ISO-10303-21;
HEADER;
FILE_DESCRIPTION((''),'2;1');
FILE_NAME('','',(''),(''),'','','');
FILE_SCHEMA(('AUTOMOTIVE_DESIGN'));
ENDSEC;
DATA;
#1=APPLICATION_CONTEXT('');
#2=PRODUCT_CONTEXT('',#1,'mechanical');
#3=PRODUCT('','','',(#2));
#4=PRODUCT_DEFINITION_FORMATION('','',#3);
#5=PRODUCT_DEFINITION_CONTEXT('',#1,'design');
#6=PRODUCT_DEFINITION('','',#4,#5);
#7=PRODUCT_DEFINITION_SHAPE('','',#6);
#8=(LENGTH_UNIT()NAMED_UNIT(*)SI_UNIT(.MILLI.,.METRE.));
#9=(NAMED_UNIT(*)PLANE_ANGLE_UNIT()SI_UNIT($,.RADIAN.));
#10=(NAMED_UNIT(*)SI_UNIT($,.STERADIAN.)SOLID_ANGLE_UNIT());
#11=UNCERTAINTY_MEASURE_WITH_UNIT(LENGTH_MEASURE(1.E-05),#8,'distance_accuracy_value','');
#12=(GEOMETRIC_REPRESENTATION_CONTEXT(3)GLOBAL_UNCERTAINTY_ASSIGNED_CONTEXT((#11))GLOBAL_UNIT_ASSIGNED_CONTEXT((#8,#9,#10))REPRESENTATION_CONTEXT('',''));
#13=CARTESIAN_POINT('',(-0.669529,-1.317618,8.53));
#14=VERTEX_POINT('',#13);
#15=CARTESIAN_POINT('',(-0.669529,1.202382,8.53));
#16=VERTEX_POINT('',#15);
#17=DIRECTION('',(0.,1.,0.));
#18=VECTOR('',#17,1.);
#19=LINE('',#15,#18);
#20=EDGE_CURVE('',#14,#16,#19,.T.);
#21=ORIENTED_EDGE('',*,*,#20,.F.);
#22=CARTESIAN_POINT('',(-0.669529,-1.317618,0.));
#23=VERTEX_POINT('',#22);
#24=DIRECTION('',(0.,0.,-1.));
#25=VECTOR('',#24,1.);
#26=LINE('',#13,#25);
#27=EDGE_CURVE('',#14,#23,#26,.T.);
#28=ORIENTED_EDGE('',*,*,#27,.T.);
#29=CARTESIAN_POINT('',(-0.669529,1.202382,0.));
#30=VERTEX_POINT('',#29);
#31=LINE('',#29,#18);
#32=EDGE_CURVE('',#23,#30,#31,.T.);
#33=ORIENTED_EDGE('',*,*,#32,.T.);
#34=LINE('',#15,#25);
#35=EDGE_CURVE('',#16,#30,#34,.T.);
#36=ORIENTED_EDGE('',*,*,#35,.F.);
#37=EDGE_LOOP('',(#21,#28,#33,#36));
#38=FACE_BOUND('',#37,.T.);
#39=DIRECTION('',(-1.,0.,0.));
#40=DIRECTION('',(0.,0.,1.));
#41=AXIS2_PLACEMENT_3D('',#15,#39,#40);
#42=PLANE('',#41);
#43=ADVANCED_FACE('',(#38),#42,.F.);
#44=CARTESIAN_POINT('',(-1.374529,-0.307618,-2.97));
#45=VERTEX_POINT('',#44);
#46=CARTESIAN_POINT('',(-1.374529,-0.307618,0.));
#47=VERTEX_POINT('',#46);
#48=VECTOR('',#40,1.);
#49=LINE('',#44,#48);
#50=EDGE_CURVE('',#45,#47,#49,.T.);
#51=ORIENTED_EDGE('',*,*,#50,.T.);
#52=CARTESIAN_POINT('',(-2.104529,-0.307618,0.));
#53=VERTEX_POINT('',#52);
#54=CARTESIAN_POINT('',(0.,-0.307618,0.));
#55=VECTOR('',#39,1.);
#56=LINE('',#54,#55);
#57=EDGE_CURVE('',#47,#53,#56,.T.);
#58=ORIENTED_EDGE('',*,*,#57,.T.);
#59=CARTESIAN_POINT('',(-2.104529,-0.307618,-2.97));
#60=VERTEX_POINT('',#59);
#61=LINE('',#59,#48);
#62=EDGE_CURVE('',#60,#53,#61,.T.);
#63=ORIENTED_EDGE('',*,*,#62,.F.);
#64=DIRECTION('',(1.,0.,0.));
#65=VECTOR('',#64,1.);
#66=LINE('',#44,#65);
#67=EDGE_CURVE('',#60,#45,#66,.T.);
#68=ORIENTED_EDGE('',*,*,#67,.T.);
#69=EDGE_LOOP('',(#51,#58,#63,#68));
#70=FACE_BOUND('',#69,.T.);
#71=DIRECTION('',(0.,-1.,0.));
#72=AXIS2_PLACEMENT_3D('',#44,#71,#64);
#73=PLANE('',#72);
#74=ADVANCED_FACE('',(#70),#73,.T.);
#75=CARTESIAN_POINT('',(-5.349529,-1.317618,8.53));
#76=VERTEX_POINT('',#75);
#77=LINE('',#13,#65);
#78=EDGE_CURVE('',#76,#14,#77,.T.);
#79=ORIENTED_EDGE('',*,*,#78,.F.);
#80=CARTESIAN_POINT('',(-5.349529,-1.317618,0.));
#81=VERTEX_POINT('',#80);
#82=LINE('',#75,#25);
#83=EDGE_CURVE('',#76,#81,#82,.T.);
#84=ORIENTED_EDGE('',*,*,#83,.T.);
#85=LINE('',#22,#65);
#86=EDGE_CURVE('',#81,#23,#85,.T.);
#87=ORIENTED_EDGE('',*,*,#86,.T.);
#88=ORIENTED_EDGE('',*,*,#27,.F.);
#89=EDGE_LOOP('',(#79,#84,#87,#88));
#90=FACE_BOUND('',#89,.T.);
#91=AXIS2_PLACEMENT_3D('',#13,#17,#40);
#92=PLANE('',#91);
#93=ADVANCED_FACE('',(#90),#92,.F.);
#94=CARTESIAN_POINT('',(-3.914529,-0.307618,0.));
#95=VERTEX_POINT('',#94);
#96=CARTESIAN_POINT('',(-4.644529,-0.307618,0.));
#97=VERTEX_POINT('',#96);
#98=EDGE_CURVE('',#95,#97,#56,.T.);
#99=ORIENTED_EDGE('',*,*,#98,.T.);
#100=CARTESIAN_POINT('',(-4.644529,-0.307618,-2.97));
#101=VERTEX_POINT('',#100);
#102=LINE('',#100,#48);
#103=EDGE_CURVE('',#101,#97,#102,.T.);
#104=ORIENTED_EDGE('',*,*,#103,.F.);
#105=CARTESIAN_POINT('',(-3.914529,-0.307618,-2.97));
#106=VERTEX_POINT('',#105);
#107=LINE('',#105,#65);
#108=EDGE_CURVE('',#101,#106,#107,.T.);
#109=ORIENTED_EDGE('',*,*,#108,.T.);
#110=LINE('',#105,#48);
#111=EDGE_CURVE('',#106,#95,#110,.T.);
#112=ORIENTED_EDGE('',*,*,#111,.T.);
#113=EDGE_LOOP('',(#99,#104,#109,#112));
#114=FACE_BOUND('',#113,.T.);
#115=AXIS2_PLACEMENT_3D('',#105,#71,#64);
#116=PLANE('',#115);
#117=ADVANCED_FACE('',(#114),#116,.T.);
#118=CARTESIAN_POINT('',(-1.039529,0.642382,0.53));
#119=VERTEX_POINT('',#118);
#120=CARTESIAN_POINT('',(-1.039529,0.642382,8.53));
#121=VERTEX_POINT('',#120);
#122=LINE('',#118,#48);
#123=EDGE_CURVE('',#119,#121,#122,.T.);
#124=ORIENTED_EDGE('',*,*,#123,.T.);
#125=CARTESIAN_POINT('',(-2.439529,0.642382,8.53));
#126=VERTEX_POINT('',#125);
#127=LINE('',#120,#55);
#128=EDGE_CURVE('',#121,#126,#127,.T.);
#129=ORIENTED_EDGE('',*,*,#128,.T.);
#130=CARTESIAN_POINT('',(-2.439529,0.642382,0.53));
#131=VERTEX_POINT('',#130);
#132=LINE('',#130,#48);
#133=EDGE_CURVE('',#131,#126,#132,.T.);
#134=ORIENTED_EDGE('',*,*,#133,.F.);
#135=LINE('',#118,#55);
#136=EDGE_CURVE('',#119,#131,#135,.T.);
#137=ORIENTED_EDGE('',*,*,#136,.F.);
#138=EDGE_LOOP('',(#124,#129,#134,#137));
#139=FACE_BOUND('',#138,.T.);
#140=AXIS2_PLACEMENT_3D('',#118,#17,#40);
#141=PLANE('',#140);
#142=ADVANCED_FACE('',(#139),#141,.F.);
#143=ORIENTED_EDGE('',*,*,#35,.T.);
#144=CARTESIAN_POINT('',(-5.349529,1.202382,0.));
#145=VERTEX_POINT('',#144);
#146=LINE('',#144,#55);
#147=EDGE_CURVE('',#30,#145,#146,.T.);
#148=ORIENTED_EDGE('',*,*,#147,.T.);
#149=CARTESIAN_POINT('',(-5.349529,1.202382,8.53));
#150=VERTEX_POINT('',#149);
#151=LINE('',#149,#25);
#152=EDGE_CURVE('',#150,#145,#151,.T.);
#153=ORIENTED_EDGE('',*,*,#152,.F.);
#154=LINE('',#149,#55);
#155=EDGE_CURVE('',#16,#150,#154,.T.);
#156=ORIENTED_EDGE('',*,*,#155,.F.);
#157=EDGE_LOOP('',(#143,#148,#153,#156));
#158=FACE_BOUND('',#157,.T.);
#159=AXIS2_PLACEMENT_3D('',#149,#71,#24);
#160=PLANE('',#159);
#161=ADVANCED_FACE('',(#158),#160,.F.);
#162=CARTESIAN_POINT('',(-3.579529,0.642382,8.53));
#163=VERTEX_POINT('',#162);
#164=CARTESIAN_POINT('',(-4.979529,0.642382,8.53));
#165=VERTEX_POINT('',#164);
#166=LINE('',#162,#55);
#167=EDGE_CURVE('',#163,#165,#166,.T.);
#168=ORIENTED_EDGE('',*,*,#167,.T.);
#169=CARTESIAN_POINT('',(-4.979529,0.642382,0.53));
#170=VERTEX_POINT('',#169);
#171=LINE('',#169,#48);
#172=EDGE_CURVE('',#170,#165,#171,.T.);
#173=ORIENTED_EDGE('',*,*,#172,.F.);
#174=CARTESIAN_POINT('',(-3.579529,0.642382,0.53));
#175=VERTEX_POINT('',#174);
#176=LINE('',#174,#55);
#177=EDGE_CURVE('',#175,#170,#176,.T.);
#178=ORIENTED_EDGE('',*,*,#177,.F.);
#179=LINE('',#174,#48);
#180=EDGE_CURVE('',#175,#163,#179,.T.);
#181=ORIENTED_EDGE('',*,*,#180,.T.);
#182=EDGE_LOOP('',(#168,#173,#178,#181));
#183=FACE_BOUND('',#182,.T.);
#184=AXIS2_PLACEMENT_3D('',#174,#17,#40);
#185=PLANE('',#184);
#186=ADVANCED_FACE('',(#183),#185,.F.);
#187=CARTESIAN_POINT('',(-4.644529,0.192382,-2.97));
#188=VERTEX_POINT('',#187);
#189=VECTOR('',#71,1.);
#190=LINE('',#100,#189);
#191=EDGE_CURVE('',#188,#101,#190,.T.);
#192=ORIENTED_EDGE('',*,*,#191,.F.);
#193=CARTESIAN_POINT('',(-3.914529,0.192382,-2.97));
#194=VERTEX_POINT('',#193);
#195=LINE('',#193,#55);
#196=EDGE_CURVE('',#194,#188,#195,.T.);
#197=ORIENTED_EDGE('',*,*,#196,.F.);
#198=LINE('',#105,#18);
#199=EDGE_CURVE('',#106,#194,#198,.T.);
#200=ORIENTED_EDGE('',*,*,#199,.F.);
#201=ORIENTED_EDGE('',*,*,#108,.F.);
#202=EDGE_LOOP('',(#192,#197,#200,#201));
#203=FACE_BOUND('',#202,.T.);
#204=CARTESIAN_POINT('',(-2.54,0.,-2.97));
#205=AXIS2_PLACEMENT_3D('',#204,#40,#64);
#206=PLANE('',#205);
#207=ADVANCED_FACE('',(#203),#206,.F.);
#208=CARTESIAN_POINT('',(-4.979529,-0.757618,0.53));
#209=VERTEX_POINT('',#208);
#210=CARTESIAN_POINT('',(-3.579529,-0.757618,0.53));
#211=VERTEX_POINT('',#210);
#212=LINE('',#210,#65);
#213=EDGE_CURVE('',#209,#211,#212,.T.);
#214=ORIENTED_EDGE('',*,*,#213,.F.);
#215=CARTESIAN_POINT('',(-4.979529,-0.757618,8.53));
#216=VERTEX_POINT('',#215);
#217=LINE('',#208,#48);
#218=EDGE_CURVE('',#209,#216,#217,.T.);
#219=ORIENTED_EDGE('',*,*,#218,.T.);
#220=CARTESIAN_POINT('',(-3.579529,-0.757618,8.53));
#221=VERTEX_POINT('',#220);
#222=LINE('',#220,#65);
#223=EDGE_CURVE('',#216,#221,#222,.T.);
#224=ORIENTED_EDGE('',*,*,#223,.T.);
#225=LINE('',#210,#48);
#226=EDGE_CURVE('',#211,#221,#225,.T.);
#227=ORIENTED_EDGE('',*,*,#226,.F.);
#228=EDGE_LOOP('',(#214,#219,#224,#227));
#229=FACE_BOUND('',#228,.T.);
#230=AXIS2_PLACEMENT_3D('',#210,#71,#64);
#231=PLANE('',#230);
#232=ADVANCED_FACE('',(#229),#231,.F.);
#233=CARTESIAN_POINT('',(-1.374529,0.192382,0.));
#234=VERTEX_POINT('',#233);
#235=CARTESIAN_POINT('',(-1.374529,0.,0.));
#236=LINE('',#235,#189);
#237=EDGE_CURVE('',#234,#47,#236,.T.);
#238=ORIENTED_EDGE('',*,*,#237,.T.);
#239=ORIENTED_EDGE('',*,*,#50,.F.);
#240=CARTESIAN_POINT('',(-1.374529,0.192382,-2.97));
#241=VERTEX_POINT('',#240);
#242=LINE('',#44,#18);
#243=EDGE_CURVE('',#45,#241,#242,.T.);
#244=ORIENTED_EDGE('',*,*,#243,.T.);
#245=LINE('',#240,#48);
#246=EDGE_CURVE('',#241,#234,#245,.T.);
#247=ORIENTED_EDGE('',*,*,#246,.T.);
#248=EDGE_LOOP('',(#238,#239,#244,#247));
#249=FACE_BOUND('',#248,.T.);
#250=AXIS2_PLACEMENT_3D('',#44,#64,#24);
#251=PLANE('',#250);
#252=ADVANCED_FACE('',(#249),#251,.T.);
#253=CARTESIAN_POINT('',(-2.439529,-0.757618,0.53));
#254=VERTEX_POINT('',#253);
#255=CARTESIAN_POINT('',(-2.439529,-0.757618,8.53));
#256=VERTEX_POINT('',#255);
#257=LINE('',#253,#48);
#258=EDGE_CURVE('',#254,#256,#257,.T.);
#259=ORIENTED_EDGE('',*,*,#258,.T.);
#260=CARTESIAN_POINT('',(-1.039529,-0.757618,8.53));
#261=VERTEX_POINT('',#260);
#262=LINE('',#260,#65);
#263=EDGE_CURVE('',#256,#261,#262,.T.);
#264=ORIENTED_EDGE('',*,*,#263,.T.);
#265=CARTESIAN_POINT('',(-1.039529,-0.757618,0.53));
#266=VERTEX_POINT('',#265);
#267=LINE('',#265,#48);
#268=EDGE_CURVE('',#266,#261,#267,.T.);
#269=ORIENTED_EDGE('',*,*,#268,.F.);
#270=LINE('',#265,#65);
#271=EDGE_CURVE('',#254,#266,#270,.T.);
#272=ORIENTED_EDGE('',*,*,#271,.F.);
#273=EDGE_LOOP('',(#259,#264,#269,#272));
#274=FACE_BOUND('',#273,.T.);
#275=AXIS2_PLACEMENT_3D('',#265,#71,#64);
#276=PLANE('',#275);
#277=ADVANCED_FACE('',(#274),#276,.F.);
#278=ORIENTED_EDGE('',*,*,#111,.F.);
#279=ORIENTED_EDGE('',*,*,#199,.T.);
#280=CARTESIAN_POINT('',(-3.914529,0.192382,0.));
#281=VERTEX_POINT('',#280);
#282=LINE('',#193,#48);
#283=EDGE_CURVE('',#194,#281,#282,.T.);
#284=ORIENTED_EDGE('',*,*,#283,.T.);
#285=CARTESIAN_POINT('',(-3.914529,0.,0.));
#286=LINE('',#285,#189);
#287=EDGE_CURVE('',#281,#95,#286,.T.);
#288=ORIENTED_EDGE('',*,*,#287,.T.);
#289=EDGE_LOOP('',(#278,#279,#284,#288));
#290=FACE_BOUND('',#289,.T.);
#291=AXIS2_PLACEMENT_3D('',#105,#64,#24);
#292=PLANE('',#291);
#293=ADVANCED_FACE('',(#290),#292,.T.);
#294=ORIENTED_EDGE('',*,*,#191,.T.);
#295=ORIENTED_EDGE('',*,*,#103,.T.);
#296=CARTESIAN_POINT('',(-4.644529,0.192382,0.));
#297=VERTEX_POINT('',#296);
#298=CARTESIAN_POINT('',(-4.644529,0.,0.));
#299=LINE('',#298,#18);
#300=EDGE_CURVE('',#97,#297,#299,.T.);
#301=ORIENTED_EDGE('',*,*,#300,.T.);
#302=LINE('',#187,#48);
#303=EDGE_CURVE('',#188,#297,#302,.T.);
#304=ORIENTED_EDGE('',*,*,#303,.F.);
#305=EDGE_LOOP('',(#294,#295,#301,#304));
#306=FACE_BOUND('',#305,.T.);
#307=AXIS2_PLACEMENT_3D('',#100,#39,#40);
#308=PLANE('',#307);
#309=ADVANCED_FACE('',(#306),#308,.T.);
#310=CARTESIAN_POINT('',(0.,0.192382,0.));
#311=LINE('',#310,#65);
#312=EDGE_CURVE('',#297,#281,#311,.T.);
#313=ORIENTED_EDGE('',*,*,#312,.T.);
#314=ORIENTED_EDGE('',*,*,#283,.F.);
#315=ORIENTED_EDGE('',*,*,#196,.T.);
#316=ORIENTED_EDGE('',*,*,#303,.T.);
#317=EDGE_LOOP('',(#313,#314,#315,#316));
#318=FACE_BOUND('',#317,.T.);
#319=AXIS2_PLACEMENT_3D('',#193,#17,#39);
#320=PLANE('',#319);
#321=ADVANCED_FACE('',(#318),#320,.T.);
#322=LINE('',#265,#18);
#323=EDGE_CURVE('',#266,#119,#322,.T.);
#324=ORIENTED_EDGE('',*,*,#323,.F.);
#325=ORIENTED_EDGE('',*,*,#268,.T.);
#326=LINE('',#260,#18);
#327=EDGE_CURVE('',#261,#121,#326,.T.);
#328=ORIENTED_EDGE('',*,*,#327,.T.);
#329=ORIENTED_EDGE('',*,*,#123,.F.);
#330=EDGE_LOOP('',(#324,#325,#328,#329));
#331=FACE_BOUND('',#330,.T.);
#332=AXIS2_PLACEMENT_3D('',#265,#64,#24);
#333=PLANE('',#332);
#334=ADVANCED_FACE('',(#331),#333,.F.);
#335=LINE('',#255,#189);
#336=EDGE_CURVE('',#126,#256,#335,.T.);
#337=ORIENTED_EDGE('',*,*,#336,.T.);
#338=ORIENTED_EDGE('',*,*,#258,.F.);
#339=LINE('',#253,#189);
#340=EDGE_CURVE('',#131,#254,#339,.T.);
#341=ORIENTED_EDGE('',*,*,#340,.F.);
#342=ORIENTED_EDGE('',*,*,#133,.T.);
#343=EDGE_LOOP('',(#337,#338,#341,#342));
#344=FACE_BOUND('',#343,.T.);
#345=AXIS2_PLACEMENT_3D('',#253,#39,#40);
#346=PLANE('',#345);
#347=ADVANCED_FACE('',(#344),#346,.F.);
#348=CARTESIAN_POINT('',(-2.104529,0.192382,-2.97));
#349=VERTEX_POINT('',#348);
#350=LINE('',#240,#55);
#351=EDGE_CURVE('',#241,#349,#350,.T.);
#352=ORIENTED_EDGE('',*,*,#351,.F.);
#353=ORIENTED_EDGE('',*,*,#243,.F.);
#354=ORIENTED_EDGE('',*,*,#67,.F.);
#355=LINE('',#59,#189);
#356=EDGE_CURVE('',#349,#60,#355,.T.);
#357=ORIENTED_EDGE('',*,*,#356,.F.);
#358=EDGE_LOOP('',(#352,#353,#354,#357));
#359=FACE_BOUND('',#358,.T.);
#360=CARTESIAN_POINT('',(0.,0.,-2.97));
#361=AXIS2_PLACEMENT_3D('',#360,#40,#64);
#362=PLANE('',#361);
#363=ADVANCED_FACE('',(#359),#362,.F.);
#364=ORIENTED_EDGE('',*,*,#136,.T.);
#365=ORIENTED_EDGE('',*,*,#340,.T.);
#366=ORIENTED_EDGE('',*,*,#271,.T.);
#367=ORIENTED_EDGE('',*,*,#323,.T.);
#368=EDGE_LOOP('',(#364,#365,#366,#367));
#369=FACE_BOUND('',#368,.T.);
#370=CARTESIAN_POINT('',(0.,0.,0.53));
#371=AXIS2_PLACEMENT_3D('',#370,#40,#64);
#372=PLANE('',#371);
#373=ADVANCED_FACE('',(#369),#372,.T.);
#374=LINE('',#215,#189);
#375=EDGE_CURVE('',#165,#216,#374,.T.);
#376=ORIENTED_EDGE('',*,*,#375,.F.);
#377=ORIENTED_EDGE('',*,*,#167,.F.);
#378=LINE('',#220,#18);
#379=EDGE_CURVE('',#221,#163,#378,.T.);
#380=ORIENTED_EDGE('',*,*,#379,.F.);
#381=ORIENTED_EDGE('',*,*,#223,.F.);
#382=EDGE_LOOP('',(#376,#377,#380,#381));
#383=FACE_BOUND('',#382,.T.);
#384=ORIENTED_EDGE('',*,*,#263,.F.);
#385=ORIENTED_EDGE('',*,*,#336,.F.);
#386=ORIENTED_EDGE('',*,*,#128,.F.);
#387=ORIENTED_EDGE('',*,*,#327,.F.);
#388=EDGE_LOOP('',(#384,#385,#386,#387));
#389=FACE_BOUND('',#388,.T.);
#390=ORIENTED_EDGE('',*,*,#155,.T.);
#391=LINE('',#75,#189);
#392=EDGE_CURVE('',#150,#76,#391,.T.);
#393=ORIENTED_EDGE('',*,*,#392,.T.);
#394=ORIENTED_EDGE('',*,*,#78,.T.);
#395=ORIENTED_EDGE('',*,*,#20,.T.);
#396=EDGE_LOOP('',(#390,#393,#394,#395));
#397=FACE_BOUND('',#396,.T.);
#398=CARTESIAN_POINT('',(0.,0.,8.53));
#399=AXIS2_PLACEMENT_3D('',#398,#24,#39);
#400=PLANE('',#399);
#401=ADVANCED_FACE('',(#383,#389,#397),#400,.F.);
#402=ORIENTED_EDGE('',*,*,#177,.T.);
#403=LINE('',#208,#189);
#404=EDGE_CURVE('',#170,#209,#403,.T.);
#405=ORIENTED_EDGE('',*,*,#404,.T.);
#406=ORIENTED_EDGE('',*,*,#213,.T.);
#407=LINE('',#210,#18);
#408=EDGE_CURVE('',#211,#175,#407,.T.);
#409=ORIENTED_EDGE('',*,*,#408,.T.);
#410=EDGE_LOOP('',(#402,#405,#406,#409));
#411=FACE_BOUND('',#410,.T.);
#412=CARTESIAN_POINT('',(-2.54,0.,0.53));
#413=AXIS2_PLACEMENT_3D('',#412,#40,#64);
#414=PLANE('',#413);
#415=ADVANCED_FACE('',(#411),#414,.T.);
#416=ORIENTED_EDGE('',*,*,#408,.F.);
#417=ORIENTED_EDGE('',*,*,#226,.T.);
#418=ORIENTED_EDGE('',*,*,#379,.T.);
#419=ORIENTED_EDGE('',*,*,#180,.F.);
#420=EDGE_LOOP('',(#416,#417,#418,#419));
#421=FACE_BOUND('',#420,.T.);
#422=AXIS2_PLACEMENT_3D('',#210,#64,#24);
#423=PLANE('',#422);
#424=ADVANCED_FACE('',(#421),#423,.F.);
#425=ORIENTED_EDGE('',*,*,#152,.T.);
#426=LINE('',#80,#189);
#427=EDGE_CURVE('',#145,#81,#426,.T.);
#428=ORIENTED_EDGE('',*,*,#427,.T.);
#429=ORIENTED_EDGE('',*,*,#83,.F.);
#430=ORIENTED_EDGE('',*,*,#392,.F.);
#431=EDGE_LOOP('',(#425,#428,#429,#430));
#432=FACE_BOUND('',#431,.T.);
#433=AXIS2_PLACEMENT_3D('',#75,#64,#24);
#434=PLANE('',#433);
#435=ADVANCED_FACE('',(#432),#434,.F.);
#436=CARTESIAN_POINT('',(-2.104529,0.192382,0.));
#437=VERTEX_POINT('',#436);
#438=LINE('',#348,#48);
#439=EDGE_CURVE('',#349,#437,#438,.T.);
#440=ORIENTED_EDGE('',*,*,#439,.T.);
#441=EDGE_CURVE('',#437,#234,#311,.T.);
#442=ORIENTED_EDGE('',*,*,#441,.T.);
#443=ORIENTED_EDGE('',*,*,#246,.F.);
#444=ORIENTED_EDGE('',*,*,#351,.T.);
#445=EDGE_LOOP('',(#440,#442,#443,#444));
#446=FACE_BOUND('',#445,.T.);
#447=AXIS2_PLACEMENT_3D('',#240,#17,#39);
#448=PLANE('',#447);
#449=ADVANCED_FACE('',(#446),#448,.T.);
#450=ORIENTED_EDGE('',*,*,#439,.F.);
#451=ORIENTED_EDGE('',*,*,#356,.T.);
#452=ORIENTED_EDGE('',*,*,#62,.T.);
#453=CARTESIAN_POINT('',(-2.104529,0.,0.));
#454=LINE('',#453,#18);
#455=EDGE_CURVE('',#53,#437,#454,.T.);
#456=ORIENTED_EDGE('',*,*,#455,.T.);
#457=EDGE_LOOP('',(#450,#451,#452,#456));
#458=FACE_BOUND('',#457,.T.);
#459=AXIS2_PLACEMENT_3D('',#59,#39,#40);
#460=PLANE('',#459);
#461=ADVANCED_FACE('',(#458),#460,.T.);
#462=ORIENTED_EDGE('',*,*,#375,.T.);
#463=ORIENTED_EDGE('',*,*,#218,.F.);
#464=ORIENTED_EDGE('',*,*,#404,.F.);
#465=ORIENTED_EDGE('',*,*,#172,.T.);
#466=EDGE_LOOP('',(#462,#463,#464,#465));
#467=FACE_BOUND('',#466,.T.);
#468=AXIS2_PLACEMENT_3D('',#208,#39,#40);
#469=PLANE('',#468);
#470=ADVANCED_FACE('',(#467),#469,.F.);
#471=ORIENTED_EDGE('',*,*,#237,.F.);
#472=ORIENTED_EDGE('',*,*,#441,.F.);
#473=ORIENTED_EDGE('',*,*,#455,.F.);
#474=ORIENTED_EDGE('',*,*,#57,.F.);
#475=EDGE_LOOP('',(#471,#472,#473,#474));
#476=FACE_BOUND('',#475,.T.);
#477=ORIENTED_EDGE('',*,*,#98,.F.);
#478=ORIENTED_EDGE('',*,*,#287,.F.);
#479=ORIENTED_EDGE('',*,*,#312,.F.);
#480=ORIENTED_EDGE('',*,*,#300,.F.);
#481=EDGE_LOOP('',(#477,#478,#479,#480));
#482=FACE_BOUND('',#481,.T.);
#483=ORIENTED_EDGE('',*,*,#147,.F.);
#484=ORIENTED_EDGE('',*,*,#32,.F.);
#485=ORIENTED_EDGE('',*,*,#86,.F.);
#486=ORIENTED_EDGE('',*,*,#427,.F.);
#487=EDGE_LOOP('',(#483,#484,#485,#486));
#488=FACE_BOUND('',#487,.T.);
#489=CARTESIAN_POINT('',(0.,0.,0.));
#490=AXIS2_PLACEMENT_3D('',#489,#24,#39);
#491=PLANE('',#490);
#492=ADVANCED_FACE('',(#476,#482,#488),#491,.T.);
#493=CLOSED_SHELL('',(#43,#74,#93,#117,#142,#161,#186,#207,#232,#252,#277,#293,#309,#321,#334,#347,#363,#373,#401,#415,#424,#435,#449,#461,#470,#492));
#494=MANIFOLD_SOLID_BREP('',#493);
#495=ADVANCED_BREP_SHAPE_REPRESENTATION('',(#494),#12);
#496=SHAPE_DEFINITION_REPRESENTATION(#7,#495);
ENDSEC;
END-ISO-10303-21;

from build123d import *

# Parameters (mm, degrees)
SKETCH1_W               = 4.68
SKETCH1_H               = 2.52
COMPONENT_OUTLINE_DEPTH = 8.53
SKETCH2_W               = 1.4
SKETCH2_H               = 1.4
CUT_EXTRUDE1_DEPTH      = 8
LPATTERN1_COUNT         = 2
LPATTERN1_PITCH         = 2.54
SKETCH3_W               = 0.73
SKETCH3_H               = 0.5
BOSS_EXTRUDE1_DEPTH     = 3.5
LPATTERN2_COUNT         = 2
LPATTERN2_PITCH         = 2.54


with BuildPart() as part:
    # Sketch1 → Component_Outline (new body)
    with BuildSketch(Plane.XY):
        with Locations((-3.009528536, -0.057617866)):
            Rectangle(SKETCH1_W, SKETCH1_H)
    extrude(amount=COMPONENT_OUTLINE_DEPTH)

    # Sketch2 → Cut-Extrude1 (cut)
    with BuildSketch(Plane.XY.offset(8.53)):
        with Locations((-1.739528536, -0.057617866)):
            Rectangle(SKETCH2_W, SKETCH2_H)
    cut_extrude1 = extrude(amount=-CUT_EXTRUDE1_DEPTH, mode=Mode.SUBTRACT)

    # LPattern1: Cut-Extrude1 ×2
    with Locations(*[(-i * LPATTERN1_PITCH, 0, 0) for i in range(1, LPATTERN1_COUNT)]):
        add(cut_extrude1, mode=Mode.SUBTRACT)

    # Sketch3 → Boss-Extrude1 (add)
    with BuildSketch(Plane.XY.offset(0.53)):
        with Locations((-1.739528536, -0.057617866)):
            Rectangle(SKETCH3_W, SKETCH3_H)
    boss_extrude1 = extrude(amount=-BOSS_EXTRUDE1_DEPTH)

    # LPattern2: Boss-Extrude1 ×2
    with Locations(*[(-i * LPATTERN2_PITCH, 0, 0) for i in range(1, LPATTERN2_COUNT)]):
        add(boss_extrude1)


solid = part.part
